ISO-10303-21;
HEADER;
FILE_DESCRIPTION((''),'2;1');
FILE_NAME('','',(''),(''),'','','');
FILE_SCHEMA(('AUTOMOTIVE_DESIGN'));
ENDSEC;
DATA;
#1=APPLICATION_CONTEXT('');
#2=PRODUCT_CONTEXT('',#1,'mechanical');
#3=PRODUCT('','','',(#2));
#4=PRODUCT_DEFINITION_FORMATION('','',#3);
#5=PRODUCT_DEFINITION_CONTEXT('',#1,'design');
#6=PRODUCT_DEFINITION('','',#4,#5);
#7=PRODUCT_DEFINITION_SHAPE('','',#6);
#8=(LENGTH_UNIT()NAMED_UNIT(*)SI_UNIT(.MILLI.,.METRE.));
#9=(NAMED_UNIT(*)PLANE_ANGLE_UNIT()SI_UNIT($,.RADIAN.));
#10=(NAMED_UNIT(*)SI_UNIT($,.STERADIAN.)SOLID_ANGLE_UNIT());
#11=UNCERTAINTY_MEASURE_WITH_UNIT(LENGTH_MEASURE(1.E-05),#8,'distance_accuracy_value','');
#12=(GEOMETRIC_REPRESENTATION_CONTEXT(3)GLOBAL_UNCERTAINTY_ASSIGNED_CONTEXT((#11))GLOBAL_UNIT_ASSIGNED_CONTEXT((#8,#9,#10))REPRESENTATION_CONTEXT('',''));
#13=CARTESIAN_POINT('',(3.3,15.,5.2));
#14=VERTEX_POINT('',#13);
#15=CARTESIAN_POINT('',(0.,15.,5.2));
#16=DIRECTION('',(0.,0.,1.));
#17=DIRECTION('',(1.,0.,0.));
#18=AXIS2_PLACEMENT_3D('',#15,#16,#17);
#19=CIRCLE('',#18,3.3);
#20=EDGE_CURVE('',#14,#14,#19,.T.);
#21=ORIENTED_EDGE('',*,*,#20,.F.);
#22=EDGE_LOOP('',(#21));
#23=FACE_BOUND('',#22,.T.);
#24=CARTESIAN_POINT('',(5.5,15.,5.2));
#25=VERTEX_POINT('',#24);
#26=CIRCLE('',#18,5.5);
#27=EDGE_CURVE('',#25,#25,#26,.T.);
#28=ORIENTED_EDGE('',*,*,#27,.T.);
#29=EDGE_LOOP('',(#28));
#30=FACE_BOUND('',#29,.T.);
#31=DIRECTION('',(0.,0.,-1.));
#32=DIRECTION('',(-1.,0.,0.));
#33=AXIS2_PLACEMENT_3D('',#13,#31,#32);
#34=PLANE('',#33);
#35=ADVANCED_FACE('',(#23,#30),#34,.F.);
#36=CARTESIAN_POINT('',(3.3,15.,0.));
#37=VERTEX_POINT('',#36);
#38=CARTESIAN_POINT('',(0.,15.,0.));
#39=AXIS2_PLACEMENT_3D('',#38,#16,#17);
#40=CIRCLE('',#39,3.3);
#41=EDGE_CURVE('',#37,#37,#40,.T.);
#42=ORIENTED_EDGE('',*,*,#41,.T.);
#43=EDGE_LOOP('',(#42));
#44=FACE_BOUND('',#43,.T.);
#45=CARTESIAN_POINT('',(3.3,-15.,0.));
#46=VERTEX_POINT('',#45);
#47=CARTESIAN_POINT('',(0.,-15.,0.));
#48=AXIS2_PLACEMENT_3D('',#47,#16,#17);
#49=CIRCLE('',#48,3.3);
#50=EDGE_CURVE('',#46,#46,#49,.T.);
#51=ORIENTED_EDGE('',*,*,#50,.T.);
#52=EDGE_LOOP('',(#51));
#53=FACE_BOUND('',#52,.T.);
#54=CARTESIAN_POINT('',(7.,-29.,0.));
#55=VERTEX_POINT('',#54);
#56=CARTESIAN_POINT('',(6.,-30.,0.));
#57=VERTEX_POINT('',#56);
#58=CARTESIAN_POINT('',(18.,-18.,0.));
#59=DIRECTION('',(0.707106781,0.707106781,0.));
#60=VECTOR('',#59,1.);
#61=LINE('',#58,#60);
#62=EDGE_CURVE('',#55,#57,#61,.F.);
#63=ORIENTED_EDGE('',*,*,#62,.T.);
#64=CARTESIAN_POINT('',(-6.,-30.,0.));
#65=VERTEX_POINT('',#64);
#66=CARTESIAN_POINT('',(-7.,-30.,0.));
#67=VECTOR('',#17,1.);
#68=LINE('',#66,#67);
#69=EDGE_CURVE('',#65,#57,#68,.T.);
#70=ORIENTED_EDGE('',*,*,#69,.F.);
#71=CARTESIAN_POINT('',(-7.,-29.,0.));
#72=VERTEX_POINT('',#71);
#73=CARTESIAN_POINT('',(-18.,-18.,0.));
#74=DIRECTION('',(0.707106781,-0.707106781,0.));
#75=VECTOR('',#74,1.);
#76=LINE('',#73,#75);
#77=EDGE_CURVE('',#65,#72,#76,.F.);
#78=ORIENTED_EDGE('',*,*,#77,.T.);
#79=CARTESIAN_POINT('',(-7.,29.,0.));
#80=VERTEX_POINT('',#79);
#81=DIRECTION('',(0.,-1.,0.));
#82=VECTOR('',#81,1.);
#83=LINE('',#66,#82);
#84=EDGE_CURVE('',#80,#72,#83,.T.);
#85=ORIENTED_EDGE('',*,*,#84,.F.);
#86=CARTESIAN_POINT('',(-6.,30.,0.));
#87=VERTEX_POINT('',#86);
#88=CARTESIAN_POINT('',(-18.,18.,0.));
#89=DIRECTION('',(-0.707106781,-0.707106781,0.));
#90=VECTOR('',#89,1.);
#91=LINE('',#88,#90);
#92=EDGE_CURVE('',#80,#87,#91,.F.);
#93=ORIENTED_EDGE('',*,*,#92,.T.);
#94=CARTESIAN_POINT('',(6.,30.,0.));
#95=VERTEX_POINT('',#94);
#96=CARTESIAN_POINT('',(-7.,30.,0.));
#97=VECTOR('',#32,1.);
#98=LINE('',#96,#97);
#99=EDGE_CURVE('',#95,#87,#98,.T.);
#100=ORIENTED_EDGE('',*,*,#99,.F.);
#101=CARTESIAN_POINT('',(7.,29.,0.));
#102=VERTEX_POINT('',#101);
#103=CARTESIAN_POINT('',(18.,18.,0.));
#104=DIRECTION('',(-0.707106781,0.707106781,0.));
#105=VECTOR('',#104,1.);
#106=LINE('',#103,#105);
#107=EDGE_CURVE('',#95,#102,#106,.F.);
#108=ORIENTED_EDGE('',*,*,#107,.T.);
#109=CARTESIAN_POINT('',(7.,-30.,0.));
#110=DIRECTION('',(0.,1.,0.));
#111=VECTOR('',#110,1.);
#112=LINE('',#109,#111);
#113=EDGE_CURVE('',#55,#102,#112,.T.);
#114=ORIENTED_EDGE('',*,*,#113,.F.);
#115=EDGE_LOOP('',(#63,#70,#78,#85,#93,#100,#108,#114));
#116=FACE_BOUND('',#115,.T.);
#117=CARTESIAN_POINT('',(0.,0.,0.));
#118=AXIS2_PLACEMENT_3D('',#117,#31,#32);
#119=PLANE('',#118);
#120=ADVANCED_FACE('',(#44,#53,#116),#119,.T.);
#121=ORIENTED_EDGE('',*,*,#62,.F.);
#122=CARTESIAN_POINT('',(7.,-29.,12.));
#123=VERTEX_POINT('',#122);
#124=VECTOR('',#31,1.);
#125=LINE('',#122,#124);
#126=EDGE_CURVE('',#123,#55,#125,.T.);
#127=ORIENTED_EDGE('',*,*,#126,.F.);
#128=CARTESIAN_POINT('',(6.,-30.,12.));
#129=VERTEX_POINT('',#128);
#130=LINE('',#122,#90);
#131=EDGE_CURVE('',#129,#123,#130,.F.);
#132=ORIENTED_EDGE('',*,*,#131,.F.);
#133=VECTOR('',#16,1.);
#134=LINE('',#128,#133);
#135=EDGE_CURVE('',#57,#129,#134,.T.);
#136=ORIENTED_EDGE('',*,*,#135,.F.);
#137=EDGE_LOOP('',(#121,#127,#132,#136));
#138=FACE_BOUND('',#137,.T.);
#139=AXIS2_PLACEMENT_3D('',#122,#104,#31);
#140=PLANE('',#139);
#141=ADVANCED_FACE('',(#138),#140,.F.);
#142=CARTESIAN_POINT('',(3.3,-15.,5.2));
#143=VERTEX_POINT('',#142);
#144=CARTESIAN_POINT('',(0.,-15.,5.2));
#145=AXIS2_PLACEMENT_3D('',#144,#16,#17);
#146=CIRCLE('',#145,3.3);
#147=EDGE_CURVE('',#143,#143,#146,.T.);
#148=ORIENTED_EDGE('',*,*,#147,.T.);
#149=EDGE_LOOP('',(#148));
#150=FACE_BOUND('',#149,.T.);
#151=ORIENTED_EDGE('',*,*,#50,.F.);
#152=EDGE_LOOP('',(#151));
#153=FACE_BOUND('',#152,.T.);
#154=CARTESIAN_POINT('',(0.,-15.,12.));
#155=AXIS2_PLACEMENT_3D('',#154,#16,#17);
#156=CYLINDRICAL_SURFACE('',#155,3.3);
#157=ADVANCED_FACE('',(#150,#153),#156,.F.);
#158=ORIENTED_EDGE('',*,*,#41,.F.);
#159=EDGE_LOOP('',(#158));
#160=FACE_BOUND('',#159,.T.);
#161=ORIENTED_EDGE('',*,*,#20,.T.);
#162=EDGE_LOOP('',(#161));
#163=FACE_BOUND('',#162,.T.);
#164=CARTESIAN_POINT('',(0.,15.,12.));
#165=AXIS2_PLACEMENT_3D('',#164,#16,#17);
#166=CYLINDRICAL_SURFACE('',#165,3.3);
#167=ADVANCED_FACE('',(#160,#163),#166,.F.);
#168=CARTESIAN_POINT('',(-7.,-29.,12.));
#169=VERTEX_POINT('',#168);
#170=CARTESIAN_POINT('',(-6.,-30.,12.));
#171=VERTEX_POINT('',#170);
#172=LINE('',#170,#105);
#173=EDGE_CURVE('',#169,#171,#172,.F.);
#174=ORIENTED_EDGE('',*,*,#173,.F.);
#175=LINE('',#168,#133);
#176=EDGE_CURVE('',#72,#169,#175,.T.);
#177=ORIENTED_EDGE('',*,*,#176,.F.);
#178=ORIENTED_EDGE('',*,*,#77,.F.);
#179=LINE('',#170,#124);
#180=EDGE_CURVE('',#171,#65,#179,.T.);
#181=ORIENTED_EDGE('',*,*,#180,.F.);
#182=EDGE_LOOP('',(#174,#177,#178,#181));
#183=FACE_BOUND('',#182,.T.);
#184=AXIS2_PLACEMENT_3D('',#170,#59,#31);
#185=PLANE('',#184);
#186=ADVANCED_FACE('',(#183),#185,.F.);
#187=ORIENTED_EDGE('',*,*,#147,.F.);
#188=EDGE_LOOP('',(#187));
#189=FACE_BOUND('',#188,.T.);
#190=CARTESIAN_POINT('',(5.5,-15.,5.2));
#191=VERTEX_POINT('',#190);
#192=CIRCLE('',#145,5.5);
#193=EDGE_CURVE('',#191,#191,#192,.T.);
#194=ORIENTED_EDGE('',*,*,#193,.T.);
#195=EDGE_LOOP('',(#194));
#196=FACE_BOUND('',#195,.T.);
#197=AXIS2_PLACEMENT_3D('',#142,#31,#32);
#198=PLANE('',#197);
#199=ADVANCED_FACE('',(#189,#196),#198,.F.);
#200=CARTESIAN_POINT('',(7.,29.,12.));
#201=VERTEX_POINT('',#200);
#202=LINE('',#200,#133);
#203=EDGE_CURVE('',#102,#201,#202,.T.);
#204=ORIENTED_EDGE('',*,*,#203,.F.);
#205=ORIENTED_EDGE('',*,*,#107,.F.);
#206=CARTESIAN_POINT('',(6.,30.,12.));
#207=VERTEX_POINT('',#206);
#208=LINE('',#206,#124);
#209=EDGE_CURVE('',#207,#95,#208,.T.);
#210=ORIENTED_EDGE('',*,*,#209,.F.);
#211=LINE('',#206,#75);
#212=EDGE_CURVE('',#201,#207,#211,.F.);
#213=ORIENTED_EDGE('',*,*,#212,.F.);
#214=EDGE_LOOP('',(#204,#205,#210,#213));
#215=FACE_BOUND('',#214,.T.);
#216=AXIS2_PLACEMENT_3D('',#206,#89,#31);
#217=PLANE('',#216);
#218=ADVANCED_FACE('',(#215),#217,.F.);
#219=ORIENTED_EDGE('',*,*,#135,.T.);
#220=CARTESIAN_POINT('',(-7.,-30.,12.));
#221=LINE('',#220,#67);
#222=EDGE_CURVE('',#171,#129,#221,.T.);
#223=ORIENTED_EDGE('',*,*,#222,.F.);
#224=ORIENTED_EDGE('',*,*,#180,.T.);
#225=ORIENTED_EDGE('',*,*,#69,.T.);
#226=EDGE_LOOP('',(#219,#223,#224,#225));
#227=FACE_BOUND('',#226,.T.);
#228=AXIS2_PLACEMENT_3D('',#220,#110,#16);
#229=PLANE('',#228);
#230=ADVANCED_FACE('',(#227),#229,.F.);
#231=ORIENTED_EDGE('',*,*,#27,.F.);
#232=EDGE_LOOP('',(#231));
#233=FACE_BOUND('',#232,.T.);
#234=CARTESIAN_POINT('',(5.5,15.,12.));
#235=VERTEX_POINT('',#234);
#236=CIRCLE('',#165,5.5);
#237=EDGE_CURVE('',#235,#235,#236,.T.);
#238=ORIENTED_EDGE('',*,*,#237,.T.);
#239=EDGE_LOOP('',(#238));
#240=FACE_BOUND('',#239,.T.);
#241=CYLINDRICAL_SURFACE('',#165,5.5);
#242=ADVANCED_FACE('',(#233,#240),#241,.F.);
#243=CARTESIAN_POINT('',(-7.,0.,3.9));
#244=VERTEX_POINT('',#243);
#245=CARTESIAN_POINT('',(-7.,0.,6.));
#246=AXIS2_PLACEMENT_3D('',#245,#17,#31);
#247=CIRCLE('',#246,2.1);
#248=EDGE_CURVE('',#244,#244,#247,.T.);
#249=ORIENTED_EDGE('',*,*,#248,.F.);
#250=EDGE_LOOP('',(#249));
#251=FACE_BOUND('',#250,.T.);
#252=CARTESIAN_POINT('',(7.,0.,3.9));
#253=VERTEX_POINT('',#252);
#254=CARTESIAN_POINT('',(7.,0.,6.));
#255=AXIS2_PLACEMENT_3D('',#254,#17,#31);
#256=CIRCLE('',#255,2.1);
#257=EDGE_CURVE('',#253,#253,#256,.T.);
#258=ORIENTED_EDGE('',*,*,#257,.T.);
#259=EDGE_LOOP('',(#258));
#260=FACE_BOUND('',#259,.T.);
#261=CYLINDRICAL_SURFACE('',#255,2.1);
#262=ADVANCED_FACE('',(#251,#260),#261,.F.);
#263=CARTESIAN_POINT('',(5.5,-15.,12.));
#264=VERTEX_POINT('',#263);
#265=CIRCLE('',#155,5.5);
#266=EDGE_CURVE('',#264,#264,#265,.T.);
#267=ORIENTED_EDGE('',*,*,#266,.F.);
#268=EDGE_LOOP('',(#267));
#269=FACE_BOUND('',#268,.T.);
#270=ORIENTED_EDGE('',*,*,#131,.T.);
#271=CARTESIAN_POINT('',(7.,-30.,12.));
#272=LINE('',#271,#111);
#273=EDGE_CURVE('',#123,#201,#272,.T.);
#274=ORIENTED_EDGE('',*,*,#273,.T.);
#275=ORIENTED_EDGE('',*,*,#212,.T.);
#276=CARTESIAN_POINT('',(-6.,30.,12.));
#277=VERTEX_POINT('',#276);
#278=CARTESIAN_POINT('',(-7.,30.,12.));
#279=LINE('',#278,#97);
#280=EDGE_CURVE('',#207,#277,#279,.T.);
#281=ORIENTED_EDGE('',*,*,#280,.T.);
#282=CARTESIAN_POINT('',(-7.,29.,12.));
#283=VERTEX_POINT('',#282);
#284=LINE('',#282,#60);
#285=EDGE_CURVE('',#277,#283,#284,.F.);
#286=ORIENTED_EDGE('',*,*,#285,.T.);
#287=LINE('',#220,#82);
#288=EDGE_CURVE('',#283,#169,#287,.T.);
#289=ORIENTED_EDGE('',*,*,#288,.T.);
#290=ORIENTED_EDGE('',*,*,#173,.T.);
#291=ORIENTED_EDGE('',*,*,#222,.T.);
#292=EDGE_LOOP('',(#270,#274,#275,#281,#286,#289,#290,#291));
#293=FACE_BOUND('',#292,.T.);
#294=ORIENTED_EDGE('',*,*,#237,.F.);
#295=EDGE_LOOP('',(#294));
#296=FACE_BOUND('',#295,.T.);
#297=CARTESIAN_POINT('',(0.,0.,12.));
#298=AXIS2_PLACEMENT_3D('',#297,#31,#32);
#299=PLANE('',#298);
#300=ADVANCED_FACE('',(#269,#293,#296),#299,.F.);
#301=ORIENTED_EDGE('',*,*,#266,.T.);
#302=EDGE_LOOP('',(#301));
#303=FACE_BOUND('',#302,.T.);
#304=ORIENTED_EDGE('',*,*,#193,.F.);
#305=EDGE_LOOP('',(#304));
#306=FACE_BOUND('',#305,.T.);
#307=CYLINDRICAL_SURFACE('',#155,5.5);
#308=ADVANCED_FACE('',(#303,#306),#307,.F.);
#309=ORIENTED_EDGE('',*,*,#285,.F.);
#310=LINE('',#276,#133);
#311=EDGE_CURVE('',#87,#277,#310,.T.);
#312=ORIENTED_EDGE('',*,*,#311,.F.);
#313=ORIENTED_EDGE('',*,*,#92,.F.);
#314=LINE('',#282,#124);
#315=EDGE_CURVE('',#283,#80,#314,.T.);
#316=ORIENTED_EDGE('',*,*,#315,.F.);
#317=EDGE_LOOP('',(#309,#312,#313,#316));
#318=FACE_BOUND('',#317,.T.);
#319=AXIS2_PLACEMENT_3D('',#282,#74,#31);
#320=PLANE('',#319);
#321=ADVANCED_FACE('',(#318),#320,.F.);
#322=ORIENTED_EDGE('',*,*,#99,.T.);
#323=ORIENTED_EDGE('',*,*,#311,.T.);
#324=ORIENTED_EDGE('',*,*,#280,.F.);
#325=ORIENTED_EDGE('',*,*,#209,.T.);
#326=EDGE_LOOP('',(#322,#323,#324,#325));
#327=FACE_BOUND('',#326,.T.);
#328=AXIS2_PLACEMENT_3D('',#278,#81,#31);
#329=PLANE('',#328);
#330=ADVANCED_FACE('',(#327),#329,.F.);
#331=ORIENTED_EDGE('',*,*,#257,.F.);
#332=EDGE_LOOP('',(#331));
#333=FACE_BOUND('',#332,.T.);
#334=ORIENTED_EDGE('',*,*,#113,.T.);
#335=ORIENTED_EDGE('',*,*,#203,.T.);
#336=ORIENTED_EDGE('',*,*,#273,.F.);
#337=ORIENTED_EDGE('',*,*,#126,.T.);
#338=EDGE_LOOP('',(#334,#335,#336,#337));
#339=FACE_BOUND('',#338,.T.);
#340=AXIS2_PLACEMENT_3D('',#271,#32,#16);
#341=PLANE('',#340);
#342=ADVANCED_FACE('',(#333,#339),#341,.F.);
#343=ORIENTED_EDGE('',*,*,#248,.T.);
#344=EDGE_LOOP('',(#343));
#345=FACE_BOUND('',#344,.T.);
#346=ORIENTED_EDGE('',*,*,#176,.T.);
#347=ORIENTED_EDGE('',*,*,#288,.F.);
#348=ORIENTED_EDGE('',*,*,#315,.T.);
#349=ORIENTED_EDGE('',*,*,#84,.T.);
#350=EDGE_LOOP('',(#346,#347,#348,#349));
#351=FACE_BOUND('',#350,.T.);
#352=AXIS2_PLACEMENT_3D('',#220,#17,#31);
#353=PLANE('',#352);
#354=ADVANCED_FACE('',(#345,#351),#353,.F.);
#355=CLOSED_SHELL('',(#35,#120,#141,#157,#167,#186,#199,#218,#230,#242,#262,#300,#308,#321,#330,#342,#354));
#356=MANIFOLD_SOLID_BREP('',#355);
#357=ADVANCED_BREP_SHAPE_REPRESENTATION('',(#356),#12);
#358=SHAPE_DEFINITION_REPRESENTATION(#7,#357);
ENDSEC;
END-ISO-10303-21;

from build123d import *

# Parameters (mm, degrees)
SKETCH_1_W                   = 14
SKETCH_1_H                   = 60
EXTRUDE_1_DEPTH              = 12
HOLE_WIZARD_M6_1_D           = 6.6
HOLE_WIZARD_M6_1_CBORE_D     = 11
HOLE_WIZARD_M6_1_CBORE_DEPTH = 6.8
CHAMFER_1_SIZE               = 1
HOLE_WIZARD_M5_1_D           = 4.2


with BuildPart() as part:
    # 草图1 → 凸台-拉伸1 (new body)
    with BuildSketch(Plane.XY):
        Rectangle(SKETCH_1_W, SKETCH_1_H)
    extrude(amount=EXTRUDE_1_DEPTH)

    # M6 六角圆柱头螺钉的柱形沉头孔1 (through all)
    with Locations(Plane.XY.offset(12)):
        with Locations((0, 15)):
            hole_wizard_m6_1 = CounterBoreHole(HOLE_WIZARD_M6_1_D / 2, HOLE_WIZARD_M6_1_CBORE_D / 2, HOLE_WIZARD_M6_1_CBORE_DEPTH)

    # 镜向1: M6 六角圆柱头螺钉的柱形沉头孔1 across plane
    add(hole_wizard_m6_1.mirror(Plane.ZX), mode=Mode.SUBTRACT)

    # 倒角1
    chamfer_1_edges = [part.edges().sort_by_distance(p)[0] for p in [
        (7, -30, 6),
        (-7, -30, 6),
        (-7, 30, 6),
        (7, 30, 6),
    ]]
    chamfer(chamfer_1_edges, length=CHAMFER_1_SIZE)

    # M5 螺纹孔1 (through all)
    with Locations(Plane(origin=(7, 0, 0), x_dir=(0, 0, -1), z_dir=(1, 0, 0))):
        with Locations((-6, 0)):
            Hole(HOLE_WIZARD_M5_1_D / 2)


solid = part.part
